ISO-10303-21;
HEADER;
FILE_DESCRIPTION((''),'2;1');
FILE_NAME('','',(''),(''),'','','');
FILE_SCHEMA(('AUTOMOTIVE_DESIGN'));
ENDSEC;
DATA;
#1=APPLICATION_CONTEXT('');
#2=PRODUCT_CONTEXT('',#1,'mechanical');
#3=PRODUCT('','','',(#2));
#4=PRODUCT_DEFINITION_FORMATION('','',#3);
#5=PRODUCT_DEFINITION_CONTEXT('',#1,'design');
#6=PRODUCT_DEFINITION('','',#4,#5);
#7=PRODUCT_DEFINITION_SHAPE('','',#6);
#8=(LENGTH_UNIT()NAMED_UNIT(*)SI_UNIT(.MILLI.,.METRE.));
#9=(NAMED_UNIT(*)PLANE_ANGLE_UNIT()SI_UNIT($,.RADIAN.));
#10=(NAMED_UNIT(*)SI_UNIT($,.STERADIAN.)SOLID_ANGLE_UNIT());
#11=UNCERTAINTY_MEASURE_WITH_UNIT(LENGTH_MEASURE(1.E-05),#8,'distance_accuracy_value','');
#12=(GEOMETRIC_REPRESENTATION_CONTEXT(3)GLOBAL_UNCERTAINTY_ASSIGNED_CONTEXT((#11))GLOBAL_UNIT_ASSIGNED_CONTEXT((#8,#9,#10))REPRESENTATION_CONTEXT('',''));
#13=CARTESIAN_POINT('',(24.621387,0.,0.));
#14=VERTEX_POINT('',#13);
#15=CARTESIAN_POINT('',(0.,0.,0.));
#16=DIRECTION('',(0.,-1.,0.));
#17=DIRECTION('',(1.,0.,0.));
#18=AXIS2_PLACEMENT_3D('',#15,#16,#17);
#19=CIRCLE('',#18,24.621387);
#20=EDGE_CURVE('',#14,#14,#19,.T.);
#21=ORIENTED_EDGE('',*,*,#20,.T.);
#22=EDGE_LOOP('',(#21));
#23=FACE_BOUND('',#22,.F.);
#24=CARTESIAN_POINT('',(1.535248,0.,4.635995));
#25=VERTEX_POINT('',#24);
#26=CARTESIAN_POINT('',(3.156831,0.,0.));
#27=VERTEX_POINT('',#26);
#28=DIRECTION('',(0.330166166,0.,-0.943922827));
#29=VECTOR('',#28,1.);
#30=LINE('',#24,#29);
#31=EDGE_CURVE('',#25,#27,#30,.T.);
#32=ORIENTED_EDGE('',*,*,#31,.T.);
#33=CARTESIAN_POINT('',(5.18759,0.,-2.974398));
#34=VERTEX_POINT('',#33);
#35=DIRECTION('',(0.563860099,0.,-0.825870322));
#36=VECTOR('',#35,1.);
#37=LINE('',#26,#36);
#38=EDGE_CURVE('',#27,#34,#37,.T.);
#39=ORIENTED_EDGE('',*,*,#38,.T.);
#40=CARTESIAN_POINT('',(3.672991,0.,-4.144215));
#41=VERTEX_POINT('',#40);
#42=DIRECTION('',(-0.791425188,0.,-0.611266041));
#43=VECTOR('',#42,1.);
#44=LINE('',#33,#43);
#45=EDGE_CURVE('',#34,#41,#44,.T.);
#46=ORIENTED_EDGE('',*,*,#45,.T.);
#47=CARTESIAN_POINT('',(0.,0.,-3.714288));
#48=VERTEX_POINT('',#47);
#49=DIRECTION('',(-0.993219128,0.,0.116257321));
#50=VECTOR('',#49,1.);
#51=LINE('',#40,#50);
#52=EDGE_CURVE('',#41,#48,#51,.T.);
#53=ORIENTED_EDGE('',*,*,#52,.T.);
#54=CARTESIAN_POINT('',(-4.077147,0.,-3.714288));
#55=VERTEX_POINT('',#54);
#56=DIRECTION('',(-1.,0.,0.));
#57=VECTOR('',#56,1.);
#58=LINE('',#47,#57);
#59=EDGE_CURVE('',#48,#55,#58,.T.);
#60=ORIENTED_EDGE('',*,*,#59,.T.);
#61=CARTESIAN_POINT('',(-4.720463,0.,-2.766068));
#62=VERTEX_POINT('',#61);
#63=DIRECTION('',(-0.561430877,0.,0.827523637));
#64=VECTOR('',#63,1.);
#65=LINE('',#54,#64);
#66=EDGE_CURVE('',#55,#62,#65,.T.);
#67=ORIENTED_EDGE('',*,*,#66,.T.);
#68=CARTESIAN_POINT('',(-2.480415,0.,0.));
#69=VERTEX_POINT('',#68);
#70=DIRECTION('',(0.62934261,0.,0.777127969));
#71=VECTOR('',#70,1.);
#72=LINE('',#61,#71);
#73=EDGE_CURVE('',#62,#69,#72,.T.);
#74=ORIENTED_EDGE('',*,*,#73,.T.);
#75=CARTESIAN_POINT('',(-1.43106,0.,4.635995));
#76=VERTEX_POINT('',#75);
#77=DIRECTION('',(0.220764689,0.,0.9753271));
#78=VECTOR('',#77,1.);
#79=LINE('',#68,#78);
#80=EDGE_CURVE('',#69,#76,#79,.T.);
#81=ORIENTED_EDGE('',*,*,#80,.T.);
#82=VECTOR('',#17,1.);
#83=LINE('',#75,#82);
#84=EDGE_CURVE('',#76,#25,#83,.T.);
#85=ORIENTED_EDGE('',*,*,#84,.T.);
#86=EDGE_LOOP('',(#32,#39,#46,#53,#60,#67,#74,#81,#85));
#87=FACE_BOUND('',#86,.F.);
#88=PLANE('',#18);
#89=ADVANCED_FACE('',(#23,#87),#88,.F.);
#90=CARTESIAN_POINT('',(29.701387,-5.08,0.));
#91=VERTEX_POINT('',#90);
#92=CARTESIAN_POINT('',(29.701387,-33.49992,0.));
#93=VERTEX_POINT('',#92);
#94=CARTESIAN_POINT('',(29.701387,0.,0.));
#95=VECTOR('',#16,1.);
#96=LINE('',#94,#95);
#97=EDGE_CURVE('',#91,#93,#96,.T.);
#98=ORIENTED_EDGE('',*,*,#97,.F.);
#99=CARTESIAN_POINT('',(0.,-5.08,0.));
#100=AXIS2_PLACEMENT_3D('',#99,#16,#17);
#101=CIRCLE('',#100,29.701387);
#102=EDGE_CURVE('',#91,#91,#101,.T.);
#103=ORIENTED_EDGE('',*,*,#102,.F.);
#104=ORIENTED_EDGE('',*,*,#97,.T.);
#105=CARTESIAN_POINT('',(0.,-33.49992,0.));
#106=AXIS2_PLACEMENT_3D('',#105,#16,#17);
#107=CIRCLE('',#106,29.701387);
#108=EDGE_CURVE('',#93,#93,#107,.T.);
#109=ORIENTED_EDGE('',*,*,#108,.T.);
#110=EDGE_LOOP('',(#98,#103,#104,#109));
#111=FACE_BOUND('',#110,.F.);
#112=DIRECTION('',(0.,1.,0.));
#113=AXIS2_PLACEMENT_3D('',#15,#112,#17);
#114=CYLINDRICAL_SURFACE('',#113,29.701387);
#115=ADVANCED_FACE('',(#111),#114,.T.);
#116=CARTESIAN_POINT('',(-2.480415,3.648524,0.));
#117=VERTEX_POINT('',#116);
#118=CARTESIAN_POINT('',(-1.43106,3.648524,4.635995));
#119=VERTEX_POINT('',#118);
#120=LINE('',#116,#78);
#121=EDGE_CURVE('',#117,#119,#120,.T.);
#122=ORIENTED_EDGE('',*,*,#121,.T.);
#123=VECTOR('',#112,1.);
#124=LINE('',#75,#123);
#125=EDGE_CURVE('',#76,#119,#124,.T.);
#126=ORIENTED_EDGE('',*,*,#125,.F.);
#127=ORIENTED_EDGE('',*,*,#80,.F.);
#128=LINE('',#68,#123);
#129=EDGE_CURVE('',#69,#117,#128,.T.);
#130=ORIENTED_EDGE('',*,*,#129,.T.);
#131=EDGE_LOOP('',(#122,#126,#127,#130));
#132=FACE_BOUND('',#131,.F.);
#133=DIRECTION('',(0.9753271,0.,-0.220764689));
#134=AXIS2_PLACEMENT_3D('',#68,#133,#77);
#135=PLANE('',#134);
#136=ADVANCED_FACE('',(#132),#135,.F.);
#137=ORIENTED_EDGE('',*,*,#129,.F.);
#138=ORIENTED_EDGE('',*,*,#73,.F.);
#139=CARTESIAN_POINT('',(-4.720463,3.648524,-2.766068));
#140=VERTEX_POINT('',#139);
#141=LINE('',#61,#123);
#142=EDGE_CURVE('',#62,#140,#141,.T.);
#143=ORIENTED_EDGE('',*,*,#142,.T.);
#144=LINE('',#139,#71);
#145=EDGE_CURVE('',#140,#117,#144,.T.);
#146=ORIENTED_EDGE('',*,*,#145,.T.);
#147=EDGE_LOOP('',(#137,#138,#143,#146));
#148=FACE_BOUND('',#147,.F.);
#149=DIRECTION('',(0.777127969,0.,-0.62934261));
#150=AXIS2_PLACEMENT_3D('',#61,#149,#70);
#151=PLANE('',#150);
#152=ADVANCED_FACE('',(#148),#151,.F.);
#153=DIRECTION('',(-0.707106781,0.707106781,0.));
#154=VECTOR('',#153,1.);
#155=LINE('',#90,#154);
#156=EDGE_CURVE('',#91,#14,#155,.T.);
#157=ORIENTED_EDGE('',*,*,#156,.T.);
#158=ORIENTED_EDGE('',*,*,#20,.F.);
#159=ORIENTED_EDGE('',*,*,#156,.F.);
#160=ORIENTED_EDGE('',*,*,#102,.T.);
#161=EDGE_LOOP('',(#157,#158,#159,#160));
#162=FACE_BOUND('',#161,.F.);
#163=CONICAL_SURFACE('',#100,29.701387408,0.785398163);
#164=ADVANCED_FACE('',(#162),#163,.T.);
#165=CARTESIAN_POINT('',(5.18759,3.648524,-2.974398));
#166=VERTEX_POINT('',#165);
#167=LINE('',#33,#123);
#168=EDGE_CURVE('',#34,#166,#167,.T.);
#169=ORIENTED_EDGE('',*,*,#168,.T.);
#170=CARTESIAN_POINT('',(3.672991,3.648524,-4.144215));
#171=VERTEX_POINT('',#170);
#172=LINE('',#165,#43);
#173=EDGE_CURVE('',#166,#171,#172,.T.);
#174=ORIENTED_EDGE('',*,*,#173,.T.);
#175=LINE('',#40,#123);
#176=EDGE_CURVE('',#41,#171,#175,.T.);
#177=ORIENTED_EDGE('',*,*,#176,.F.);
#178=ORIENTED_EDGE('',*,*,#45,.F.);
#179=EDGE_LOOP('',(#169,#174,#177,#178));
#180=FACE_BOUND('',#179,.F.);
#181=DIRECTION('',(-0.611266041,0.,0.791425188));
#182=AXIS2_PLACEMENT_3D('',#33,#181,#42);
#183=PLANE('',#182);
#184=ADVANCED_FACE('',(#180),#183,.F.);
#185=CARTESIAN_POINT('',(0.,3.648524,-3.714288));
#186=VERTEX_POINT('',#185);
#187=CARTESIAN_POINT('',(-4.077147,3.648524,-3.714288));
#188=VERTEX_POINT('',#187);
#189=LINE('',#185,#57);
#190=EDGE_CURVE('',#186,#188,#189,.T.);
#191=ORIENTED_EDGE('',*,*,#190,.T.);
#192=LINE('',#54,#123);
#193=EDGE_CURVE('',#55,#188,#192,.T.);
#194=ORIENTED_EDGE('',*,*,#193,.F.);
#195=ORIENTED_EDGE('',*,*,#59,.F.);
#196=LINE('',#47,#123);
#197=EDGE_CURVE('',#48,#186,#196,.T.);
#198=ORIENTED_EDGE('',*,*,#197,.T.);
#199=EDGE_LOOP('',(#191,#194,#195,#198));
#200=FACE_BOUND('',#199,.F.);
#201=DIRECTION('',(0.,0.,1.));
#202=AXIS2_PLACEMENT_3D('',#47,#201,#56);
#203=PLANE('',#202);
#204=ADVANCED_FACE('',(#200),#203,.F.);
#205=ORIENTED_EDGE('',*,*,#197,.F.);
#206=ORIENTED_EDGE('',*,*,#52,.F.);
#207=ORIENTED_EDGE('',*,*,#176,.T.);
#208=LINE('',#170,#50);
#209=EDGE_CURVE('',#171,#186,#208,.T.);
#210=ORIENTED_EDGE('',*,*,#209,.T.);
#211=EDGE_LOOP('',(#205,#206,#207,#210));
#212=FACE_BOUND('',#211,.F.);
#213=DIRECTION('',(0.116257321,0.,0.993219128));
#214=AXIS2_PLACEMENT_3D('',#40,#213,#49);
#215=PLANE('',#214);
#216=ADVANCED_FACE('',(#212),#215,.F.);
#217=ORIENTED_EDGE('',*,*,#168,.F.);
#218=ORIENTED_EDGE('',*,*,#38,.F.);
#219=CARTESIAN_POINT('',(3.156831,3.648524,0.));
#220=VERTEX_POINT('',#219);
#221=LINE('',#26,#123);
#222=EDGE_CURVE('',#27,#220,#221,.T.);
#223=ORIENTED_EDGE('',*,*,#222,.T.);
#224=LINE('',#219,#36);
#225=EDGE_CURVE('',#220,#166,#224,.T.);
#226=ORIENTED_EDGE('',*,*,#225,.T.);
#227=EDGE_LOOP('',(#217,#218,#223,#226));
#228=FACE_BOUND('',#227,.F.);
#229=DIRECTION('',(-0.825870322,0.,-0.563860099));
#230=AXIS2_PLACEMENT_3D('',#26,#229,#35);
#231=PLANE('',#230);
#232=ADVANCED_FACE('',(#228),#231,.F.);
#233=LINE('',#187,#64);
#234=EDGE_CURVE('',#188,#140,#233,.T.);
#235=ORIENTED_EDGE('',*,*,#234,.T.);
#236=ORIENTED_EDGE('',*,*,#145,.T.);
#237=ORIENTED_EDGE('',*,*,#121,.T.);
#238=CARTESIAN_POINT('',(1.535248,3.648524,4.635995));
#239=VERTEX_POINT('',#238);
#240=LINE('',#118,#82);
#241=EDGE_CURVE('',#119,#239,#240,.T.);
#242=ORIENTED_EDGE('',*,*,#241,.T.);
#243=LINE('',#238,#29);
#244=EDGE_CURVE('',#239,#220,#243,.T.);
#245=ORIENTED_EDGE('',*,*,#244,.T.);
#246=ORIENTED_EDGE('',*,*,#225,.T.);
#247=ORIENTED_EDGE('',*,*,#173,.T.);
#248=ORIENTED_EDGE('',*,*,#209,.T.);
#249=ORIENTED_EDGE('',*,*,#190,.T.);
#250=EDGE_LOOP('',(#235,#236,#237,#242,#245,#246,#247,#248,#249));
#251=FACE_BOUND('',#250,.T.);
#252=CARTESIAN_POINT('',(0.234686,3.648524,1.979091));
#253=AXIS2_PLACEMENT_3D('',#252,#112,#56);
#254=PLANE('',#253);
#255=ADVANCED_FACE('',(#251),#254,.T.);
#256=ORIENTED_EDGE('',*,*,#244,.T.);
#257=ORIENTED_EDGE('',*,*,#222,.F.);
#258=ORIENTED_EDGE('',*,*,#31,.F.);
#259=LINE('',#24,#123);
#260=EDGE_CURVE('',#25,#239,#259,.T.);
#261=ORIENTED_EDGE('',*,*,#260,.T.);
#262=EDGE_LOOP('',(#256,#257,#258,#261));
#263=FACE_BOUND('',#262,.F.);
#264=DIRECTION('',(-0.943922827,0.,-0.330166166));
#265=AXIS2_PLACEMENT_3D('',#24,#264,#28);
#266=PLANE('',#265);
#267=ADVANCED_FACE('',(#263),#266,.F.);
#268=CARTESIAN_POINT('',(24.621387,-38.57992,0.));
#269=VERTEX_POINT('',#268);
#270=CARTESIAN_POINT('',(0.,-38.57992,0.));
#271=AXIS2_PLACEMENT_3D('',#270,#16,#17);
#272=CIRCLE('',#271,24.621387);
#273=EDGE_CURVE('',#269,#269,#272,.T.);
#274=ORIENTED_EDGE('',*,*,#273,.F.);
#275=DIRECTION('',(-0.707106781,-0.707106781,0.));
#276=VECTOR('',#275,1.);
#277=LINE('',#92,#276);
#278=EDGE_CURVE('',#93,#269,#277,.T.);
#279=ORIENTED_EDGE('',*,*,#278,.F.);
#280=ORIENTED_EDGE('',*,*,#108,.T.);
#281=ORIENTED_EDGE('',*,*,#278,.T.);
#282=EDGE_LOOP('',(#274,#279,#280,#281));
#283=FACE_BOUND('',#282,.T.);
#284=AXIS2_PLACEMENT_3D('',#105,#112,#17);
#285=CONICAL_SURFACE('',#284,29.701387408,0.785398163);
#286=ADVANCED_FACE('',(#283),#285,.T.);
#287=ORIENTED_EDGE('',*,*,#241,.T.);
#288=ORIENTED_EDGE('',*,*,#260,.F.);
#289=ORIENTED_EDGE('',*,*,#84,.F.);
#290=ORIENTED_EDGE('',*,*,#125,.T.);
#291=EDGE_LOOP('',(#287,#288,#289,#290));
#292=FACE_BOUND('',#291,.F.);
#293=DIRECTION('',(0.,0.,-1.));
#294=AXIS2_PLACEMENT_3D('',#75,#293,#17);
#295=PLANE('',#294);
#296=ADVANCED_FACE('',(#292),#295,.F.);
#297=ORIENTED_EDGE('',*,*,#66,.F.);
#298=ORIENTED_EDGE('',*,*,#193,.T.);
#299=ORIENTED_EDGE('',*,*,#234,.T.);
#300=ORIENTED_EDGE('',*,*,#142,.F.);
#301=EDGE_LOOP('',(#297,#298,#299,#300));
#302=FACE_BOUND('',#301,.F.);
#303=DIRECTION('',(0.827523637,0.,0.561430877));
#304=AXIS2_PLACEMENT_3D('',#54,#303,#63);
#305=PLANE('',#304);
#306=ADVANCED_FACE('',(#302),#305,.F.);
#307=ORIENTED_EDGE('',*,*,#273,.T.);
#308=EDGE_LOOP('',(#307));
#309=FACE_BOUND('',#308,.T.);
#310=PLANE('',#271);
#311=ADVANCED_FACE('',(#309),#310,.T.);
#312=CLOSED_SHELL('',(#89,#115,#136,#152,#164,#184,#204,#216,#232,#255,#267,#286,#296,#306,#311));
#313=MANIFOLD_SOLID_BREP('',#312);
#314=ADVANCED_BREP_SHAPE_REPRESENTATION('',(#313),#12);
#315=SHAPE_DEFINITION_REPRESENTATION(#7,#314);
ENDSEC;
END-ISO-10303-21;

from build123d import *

# Parameters (mm, degrees)
F0_R     = 29.7013874084
F2_DEPTH = 38.5799203068
F1_SIZE  = 5.08
F3_R     = 20.8700317212
F3_R_2   = 17.605389727
F4_DEPTH = 28.3505246043
F6_DEPTH = 3.6485241726


with BuildPart() as f2:
    # F0 (on Front) → F2 (new body)
    with BuildSketch(Plane.XZ):
        Circle(F0_R)
    extrude(amount=F2_DEPTH)

    # F1
    f1_edges = [f2.edges().sort_by_distance(p)[0] for p in [
        (29.701387, -19.28996, 0),
        (-29.701387, 0, 0),
        (-29.701387, -38.57992, 0),
    ]]
    chamfer(f1_edges, length=F1_SIZE)

    # F3 (on face) → F4 (join)
    with BuildSketch(Plane.XZ.offset(38.5799203068)):
        Circle(F3_R)
        Circle(F3_R_2, mode=Mode.SUBTRACT)
    extrude(amount=-F4_DEPTH)

    # F5 (on face) → F6 (join)
    with BuildSketch(Plane(origin=(0, 0, 0), x_dir=(-1, 0, 0), z_dir=(0, 1, 0))):
        Polygon((-3.1568305567, 0), (-2.227387391, 0), (2.480414696, 0), (1.4310600236, 4.6359952539), (-1.5352480114, 4.6359952539), align=None)
        Polygon((2.480414696, 0), (-2.227387391, 0), (-3.1568305567, 0), (0, -3.7142876536), align=None)
        Polygon((4.7204634175, -2.7660680935), (2.480414696, 0), (0, -3.7142876536), (4.0771467611, -3.7142876536), align=None)
        Polygon((0, -3.7142876536), (-3.1568305567, 0), (-5.1875901408, -2.9743975028), (-3.672990948, -4.144215025), align=None)
    extrude(amount=F6_DEPTH)


solid = f2.part
